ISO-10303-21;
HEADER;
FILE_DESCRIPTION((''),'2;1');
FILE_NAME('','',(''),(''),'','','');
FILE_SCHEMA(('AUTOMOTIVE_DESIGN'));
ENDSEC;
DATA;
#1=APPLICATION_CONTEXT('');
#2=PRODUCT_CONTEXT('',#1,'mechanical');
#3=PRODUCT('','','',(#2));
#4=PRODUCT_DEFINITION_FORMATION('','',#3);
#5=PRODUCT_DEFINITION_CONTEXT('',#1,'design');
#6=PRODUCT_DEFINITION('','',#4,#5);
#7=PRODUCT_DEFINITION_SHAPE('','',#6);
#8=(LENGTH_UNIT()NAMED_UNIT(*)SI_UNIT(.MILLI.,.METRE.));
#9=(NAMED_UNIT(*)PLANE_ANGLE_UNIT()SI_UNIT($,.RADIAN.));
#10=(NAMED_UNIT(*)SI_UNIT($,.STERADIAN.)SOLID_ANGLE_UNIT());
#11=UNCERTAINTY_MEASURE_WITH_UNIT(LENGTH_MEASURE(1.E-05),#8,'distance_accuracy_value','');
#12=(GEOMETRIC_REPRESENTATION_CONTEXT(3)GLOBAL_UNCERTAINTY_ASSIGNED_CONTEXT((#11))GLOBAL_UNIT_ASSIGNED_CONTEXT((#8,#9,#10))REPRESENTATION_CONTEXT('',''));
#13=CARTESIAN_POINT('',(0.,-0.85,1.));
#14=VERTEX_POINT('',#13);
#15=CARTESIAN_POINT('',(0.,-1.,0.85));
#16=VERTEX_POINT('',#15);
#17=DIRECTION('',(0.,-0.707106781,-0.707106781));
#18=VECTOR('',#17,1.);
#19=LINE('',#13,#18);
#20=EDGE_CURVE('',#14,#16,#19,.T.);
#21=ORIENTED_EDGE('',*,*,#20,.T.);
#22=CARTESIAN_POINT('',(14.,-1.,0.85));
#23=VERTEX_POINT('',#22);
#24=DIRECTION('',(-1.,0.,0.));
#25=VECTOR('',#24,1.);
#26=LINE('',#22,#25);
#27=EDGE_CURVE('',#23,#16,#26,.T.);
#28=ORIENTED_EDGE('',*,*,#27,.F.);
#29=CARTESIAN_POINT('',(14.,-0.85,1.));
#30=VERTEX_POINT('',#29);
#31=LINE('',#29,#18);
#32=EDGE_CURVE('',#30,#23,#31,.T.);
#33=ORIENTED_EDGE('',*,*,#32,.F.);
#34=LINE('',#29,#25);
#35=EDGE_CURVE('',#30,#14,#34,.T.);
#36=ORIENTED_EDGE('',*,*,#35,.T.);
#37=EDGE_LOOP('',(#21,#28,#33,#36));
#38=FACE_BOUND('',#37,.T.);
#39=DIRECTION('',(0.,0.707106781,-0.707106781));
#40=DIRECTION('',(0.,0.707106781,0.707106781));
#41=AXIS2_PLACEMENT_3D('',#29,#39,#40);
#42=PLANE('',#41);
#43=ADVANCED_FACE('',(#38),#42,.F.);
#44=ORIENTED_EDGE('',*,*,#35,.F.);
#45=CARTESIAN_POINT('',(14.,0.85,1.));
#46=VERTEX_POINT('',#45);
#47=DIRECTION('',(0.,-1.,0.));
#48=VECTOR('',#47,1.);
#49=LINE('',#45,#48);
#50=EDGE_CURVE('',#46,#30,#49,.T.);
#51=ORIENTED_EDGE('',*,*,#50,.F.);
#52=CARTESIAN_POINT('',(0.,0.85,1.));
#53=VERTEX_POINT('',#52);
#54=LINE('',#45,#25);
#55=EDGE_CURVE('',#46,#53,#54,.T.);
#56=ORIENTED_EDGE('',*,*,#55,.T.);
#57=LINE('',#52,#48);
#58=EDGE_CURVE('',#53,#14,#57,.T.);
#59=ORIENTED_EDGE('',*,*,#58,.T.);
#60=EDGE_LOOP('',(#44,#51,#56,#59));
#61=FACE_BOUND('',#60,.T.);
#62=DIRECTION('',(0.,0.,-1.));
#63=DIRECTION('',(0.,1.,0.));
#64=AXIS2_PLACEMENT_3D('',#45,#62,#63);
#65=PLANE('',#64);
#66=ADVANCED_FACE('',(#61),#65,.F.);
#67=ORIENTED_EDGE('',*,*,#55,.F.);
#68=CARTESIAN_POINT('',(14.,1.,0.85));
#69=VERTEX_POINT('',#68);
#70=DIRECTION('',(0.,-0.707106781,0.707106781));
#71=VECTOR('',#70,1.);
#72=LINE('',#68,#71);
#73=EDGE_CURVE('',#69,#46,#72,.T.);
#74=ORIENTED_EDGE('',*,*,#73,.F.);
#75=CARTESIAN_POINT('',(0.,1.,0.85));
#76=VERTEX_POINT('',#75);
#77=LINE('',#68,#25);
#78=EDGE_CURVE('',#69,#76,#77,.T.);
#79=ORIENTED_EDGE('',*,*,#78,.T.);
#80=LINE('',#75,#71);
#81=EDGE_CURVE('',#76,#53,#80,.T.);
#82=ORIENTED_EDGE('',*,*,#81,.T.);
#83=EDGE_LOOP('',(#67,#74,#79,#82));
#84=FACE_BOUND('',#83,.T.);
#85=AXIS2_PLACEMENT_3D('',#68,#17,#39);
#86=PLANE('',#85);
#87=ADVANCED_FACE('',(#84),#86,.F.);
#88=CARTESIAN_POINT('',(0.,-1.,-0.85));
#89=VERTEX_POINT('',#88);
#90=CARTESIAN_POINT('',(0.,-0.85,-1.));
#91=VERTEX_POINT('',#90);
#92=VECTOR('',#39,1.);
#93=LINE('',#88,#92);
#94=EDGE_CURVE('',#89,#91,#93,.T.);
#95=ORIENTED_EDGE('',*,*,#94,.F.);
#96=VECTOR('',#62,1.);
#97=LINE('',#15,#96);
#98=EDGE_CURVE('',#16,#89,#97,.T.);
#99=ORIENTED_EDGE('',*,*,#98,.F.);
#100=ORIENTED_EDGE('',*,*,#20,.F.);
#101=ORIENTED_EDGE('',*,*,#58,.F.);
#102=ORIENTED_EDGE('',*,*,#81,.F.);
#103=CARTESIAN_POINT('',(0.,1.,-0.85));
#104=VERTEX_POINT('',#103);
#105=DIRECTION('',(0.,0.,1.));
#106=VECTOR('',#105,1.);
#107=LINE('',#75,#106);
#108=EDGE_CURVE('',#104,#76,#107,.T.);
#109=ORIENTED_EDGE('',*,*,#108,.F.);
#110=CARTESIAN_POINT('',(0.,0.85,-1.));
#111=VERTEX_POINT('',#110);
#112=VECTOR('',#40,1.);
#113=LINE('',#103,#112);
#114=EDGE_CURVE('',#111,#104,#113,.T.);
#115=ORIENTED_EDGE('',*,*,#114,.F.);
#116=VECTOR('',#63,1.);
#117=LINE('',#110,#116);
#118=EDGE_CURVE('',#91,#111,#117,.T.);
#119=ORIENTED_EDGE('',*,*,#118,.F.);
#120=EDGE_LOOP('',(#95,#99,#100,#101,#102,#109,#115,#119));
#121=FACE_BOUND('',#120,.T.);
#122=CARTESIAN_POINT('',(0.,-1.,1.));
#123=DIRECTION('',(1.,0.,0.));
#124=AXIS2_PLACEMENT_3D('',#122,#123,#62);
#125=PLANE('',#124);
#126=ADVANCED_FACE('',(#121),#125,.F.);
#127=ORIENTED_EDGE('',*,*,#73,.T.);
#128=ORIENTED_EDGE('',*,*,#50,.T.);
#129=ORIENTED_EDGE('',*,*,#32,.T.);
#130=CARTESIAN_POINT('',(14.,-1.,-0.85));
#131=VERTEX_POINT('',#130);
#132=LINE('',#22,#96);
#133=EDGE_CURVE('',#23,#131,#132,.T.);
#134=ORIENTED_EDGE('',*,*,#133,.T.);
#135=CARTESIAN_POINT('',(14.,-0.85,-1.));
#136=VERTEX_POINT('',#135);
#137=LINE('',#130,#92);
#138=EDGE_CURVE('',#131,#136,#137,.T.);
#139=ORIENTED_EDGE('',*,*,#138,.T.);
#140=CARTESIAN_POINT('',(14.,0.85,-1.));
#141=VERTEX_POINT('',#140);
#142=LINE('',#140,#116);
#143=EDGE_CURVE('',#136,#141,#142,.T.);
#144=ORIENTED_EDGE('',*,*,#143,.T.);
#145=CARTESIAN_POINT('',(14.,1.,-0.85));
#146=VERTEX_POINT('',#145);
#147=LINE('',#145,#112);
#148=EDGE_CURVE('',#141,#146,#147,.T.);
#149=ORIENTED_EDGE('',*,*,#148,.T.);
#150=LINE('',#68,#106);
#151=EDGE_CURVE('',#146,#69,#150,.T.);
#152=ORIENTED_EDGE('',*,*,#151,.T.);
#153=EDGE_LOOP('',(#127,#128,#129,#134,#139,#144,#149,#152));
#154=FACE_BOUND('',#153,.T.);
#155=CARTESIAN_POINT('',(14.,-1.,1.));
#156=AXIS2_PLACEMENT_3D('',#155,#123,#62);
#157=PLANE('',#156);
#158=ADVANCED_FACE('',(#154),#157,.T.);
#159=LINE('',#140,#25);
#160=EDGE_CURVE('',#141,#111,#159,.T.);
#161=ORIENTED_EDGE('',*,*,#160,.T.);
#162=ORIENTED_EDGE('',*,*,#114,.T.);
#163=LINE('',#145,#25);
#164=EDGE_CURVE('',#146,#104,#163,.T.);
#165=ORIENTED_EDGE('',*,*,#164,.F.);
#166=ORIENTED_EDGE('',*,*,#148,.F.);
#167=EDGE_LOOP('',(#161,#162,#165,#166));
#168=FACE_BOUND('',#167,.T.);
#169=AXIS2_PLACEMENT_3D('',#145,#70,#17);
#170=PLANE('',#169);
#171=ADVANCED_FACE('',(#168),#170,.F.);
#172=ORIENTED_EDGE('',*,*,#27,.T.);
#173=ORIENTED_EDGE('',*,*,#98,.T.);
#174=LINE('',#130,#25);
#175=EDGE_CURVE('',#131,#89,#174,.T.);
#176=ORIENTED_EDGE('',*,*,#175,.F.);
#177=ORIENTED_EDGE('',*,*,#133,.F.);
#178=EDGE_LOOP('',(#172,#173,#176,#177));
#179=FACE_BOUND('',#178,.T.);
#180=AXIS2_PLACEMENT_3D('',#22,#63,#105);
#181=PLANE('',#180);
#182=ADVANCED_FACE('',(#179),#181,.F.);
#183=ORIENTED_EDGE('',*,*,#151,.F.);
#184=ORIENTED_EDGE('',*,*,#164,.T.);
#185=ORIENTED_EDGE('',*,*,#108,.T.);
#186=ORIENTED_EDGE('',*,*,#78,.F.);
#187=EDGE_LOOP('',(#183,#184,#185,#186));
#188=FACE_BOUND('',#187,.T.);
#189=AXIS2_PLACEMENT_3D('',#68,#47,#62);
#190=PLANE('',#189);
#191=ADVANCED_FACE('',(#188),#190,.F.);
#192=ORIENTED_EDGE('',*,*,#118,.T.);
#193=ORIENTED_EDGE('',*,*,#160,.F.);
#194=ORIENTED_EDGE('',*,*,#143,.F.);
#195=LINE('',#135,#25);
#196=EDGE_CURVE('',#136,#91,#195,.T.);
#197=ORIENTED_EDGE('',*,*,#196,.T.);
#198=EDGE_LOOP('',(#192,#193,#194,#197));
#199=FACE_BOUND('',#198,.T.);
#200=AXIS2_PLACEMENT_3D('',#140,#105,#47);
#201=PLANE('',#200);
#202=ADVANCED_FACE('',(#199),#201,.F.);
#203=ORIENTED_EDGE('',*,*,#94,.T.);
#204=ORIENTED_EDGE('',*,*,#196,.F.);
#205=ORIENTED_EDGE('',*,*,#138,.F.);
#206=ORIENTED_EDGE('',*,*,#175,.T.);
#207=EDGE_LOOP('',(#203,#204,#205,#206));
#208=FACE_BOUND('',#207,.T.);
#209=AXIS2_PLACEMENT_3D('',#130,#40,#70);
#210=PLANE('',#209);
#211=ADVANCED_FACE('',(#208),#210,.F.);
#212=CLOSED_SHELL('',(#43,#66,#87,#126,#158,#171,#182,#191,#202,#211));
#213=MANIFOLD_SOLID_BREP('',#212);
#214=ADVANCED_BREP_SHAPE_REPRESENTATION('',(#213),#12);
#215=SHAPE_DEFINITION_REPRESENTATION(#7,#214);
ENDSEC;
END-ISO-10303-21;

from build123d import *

# Parameters (mm, degrees)
BOSS_EXTRUDE1_DEPTH = 14


with BuildPart() as part:
    # Sketch1 → Boss-Extrude1 (new body)
    with BuildSketch(Plane(origin=(0, 0, 0), x_dir=(0, 0, -1), z_dir=(1, 0, 0))):
        Polygon((-0.85, 1), (-1, 0.85), (-1, -0.85), (-0.85, -1), (0.85, -1), (1, -0.85), (1, 0.85), (0.85, 1), align=None)
    extrude(amount=BOSS_EXTRUDE1_DEPTH)


solid = part.part
